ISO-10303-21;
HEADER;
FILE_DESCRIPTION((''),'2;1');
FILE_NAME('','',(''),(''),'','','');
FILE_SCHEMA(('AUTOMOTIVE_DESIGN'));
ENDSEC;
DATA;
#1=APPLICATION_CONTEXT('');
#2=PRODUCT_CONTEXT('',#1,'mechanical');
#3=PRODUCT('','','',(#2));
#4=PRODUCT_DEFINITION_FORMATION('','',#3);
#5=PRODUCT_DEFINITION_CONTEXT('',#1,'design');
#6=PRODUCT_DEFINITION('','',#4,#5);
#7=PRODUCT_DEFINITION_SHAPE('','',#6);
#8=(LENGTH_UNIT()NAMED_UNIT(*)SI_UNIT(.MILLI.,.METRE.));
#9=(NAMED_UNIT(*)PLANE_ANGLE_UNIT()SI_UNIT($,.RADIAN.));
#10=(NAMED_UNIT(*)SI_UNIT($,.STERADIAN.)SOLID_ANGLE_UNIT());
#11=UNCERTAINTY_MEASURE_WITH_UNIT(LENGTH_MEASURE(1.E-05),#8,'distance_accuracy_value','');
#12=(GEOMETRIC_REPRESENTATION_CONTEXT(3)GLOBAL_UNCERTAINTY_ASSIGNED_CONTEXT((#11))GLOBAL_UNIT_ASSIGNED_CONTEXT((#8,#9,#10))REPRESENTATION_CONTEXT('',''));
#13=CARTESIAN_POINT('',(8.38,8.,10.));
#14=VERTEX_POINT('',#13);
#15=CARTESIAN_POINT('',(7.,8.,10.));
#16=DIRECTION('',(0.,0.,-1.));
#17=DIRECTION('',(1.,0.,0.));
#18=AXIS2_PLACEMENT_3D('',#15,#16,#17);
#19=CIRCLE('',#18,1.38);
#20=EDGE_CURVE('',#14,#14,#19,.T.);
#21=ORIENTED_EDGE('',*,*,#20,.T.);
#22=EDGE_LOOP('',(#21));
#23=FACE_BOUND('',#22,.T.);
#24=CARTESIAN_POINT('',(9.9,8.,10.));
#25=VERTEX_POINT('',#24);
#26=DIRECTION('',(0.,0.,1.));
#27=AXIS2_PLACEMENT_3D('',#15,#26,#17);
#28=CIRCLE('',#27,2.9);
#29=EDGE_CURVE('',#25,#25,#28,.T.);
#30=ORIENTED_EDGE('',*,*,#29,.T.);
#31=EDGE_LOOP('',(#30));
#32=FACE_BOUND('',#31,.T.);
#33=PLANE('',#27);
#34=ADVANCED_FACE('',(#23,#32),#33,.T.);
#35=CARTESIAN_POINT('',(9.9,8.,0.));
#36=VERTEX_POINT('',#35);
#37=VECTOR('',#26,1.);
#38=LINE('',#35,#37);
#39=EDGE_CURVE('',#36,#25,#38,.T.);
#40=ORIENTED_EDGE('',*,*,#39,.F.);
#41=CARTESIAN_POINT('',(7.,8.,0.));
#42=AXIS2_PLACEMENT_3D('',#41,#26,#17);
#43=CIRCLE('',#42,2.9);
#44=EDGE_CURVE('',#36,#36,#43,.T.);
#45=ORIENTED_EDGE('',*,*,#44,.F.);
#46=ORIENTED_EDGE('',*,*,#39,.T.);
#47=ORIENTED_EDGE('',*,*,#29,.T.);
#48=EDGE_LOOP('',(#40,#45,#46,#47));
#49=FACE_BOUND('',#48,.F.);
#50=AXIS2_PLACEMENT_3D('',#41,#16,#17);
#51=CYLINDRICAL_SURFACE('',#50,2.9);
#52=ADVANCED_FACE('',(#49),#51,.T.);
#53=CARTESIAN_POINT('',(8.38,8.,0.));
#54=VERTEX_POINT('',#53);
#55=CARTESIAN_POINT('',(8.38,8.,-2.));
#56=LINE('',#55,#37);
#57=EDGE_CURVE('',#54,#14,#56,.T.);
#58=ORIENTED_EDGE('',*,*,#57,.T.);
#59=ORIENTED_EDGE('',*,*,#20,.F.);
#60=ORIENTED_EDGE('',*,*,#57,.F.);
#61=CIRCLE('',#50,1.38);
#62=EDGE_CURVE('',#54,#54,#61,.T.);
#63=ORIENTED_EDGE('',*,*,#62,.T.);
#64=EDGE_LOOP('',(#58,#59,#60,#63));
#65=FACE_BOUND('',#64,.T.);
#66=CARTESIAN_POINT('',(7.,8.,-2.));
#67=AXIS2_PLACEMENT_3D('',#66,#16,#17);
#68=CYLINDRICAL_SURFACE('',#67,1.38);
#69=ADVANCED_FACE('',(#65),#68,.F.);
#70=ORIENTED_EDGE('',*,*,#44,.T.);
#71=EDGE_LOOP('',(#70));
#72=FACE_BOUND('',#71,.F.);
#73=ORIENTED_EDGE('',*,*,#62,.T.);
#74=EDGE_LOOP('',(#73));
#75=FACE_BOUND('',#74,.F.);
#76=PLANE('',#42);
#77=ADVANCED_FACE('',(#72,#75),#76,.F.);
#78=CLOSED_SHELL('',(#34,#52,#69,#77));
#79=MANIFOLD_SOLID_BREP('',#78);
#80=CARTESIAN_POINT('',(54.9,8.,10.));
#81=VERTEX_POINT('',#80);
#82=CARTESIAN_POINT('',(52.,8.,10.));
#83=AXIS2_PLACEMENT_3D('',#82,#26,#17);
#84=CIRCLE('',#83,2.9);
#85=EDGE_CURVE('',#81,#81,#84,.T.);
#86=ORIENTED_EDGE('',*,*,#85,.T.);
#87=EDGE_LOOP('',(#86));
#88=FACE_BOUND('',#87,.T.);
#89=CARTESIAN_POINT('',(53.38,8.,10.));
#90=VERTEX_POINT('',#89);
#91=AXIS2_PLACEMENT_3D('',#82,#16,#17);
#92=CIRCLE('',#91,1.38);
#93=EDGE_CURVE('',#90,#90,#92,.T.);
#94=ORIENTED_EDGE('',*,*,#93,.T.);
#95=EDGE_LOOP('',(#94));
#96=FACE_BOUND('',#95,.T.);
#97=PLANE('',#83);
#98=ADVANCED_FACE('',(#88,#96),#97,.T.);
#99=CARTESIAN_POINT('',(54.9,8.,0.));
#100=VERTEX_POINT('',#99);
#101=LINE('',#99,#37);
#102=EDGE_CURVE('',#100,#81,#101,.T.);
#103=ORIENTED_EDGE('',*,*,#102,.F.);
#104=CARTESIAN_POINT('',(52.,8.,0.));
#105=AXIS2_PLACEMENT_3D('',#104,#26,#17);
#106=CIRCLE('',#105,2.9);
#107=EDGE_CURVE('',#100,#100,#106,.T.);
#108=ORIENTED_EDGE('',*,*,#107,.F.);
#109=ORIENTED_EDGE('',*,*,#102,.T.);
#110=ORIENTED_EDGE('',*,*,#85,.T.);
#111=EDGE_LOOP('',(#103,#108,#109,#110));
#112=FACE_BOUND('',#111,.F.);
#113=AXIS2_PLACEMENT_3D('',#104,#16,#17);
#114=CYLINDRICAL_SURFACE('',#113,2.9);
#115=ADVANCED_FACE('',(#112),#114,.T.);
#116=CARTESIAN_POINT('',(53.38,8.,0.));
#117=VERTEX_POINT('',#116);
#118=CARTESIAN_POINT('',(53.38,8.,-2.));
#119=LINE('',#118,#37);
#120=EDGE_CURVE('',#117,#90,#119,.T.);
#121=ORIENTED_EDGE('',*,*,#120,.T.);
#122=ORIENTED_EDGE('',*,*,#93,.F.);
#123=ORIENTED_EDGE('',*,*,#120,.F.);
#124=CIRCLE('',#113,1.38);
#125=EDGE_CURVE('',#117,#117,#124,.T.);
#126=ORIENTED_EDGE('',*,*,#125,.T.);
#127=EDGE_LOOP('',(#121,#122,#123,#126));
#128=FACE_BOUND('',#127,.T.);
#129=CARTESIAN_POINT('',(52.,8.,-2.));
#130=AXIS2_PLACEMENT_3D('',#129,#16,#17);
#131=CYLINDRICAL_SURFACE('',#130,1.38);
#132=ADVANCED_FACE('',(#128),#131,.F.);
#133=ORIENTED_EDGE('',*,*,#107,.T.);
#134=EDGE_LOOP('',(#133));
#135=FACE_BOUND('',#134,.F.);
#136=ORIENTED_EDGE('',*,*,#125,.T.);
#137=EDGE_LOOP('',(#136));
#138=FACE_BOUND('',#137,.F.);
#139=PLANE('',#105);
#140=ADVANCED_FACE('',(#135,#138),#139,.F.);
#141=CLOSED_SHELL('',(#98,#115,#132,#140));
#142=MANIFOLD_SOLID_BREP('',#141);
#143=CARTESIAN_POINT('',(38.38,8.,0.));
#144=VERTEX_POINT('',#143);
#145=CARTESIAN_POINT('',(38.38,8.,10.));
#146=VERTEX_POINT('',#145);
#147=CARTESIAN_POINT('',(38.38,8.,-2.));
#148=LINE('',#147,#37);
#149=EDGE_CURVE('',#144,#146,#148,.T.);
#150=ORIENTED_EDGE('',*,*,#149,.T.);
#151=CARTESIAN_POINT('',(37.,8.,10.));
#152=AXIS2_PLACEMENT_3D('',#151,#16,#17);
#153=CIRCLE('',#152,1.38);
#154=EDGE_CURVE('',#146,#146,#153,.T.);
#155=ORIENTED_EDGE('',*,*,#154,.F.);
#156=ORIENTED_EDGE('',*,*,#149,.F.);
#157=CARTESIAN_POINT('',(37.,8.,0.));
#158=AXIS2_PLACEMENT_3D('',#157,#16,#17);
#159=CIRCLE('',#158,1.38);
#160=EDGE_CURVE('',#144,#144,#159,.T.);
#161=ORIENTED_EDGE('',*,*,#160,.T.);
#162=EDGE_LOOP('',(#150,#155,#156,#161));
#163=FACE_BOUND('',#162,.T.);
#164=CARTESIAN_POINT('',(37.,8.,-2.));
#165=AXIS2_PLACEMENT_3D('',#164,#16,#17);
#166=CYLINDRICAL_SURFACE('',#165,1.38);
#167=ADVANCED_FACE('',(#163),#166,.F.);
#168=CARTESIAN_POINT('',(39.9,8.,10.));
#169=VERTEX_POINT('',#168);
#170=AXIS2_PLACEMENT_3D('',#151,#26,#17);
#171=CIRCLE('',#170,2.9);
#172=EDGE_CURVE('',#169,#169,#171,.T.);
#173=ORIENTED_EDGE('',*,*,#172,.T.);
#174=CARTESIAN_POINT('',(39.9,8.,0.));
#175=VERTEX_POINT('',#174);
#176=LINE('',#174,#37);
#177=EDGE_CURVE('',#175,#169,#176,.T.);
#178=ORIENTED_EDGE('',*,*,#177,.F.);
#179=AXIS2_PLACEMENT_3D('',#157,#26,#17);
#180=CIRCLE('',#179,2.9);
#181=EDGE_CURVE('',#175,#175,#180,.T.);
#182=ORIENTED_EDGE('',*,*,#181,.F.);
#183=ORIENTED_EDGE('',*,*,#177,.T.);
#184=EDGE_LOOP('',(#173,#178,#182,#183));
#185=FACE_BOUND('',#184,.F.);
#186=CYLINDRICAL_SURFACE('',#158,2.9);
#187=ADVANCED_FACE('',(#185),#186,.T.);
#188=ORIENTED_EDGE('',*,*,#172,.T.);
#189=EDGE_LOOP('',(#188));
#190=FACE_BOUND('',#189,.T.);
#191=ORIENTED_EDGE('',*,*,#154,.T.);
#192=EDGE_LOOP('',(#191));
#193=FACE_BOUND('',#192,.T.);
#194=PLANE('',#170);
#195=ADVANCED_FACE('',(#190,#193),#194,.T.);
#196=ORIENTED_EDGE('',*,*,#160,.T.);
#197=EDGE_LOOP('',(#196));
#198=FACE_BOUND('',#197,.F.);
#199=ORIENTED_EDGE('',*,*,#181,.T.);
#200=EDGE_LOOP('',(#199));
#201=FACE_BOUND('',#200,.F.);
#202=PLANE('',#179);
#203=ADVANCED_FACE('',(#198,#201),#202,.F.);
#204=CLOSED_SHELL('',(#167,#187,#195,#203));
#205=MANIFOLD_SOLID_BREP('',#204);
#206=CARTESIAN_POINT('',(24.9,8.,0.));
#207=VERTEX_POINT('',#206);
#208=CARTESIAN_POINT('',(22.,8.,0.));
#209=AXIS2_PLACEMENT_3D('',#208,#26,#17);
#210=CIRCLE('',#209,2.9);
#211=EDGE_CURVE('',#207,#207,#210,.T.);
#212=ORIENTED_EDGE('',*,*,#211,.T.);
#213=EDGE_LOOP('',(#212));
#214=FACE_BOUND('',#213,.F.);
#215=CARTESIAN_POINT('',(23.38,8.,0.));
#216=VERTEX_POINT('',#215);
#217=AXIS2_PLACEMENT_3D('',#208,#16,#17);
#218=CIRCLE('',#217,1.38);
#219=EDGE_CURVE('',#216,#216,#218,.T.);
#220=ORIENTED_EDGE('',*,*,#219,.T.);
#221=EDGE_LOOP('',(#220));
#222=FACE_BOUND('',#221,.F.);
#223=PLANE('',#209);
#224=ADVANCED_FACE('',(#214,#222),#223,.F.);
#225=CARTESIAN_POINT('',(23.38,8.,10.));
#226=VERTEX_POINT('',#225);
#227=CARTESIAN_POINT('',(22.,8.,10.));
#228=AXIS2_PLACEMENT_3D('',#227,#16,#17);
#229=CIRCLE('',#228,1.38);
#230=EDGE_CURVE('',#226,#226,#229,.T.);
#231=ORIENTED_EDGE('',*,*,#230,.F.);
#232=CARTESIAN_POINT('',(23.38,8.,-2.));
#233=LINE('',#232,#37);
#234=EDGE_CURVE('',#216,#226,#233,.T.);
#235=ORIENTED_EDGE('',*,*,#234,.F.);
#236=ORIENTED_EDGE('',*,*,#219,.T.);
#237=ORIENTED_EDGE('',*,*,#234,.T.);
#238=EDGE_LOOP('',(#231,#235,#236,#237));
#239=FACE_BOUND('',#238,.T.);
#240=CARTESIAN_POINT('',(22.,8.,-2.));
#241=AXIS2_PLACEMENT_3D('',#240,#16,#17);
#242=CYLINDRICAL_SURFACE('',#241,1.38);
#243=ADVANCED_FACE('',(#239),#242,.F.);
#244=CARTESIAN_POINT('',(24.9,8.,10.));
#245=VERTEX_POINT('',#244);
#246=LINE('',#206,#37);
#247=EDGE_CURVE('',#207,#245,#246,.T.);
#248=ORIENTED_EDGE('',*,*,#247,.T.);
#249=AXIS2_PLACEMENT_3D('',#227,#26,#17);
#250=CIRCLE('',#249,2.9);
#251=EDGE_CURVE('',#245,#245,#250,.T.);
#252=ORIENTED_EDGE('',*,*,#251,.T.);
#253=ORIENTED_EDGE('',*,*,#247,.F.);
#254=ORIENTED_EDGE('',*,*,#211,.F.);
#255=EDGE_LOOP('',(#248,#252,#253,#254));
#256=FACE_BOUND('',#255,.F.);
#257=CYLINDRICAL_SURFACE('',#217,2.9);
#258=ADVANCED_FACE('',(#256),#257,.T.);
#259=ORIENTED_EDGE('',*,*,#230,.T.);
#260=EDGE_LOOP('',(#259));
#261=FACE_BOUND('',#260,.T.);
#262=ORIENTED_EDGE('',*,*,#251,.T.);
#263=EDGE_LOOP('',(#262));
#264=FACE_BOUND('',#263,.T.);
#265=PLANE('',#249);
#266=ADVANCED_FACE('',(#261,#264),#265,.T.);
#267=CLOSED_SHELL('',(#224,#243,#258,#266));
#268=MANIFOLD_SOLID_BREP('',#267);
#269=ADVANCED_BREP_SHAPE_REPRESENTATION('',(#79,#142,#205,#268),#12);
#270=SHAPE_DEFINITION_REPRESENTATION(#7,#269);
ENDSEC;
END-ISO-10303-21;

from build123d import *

# Parameters (mm, degrees)
CYLINDER013_R     = 1.38
CYLINDER013_DEPTH = 15
CYLINDER014_R     = 1.38
CYLINDER014_DEPTH = 15
CYLINDER015_R     = 1.38
CYLINDER015_DEPTH = 15
CYLINDER012_R     = 1.38
CYLINDER012_DEPTH = 15
CYLINDER008_R     = 2.9
CYLINDER008_DEPTH = 10
CYLINDER009_R     = 2.9
CYLINDER009_DEPTH = 10
CYLINDER011_R     = 2.9
CYLINDER011_DEPTH = 10
CYLINDER010_R     = 2.9
CYLINDER010_DEPTH = 10


with BuildPart() as zylinder005:
    # Cylinder013 → Cylinder013 (new body)
    with BuildSketch(Plane(origin=(22, 8, -2), x_dir=(1, 0, 0), z_dir=(0, 0, 1))):
        Circle(CYLINDER013_R)
    extrude(amount=CYLINDER013_DEPTH)


with BuildPart() as zylinder006:
    # Cylinder014 → Cylinder014 (new body)
    with BuildSketch(Plane(origin=(37, 8, -2), x_dir=(1, 0, 0), z_dir=(0, 0, 1))):
        Circle(CYLINDER014_R)
    extrude(amount=CYLINDER014_DEPTH)


with BuildPart() as zylinder007:
    # Cylinder015 → Cylinder015 (new body)
    with BuildSketch(Plane(origin=(52, 8, -2), x_dir=(1, 0, 0), z_dir=(0, 0, 1))):
        Circle(CYLINDER015_R)
    extrude(amount=CYLINDER015_DEPTH)


with BuildPart() as fusion011:
    # Cylinder012 → Cylinder012 (new body)
    with BuildSketch(Plane(origin=(7, 8, -2), x_dir=(1, 0, 0), z_dir=(0, 0, 1))):
        Circle(CYLINDER012_R)
    extrude(amount=CYLINDER012_DEPTH)

    # Fusion011: union Zylinder005, Zylinder006, Zylinder007
    add(zylinder005.part)
    add(zylinder006.part)
    add(zylinder007.part)


with BuildPart() as zylinder009:
    # Cylinder008 → Cylinder008 (new body)
    with BuildSketch(Plane(origin=(7, 8, 0), x_dir=(1, 0, 0), z_dir=(0, 0, 1))):
        Circle(CYLINDER008_R)
    extrude(amount=CYLINDER008_DEPTH)


with BuildPart() as zylinder001:
    # Cylinder009 → Cylinder009 (new body)
    with BuildSketch(Plane(origin=(22, 8, 0), x_dir=(1, 0, 0), z_dir=(0, 0, 1))):
        Circle(CYLINDER009_R)
    extrude(amount=CYLINDER009_DEPTH)


with BuildPart() as zylinder003:
    # Cylinder011 → Cylinder011 (new body)
    with BuildSketch(Plane(origin=(52, 8, 0), x_dir=(1, 0, 0), z_dir=(0, 0, 1))):
        Circle(CYLINDER011_R)
    extrude(amount=CYLINDER011_DEPTH)


with BuildPart() as distanzen:
    # Cylinder010 → Cylinder010 (new body)
    with BuildSketch(Plane(origin=(37, 8, 0), x_dir=(1, 0, 0), z_dir=(0, 0, 1))):
        Circle(CYLINDER010_R)
    extrude(amount=CYLINDER010_DEPTH)

    # Fusion012: union Zylinder009, Zylinder001, Zylinder003
    add(zylinder009.part)
    add(zylinder001.part)
    add(zylinder003.part)

    # Cut005: cut Fusion011
    add(fusion011.part, mode=Mode.SUBTRACT)


solid = distanzen.part
